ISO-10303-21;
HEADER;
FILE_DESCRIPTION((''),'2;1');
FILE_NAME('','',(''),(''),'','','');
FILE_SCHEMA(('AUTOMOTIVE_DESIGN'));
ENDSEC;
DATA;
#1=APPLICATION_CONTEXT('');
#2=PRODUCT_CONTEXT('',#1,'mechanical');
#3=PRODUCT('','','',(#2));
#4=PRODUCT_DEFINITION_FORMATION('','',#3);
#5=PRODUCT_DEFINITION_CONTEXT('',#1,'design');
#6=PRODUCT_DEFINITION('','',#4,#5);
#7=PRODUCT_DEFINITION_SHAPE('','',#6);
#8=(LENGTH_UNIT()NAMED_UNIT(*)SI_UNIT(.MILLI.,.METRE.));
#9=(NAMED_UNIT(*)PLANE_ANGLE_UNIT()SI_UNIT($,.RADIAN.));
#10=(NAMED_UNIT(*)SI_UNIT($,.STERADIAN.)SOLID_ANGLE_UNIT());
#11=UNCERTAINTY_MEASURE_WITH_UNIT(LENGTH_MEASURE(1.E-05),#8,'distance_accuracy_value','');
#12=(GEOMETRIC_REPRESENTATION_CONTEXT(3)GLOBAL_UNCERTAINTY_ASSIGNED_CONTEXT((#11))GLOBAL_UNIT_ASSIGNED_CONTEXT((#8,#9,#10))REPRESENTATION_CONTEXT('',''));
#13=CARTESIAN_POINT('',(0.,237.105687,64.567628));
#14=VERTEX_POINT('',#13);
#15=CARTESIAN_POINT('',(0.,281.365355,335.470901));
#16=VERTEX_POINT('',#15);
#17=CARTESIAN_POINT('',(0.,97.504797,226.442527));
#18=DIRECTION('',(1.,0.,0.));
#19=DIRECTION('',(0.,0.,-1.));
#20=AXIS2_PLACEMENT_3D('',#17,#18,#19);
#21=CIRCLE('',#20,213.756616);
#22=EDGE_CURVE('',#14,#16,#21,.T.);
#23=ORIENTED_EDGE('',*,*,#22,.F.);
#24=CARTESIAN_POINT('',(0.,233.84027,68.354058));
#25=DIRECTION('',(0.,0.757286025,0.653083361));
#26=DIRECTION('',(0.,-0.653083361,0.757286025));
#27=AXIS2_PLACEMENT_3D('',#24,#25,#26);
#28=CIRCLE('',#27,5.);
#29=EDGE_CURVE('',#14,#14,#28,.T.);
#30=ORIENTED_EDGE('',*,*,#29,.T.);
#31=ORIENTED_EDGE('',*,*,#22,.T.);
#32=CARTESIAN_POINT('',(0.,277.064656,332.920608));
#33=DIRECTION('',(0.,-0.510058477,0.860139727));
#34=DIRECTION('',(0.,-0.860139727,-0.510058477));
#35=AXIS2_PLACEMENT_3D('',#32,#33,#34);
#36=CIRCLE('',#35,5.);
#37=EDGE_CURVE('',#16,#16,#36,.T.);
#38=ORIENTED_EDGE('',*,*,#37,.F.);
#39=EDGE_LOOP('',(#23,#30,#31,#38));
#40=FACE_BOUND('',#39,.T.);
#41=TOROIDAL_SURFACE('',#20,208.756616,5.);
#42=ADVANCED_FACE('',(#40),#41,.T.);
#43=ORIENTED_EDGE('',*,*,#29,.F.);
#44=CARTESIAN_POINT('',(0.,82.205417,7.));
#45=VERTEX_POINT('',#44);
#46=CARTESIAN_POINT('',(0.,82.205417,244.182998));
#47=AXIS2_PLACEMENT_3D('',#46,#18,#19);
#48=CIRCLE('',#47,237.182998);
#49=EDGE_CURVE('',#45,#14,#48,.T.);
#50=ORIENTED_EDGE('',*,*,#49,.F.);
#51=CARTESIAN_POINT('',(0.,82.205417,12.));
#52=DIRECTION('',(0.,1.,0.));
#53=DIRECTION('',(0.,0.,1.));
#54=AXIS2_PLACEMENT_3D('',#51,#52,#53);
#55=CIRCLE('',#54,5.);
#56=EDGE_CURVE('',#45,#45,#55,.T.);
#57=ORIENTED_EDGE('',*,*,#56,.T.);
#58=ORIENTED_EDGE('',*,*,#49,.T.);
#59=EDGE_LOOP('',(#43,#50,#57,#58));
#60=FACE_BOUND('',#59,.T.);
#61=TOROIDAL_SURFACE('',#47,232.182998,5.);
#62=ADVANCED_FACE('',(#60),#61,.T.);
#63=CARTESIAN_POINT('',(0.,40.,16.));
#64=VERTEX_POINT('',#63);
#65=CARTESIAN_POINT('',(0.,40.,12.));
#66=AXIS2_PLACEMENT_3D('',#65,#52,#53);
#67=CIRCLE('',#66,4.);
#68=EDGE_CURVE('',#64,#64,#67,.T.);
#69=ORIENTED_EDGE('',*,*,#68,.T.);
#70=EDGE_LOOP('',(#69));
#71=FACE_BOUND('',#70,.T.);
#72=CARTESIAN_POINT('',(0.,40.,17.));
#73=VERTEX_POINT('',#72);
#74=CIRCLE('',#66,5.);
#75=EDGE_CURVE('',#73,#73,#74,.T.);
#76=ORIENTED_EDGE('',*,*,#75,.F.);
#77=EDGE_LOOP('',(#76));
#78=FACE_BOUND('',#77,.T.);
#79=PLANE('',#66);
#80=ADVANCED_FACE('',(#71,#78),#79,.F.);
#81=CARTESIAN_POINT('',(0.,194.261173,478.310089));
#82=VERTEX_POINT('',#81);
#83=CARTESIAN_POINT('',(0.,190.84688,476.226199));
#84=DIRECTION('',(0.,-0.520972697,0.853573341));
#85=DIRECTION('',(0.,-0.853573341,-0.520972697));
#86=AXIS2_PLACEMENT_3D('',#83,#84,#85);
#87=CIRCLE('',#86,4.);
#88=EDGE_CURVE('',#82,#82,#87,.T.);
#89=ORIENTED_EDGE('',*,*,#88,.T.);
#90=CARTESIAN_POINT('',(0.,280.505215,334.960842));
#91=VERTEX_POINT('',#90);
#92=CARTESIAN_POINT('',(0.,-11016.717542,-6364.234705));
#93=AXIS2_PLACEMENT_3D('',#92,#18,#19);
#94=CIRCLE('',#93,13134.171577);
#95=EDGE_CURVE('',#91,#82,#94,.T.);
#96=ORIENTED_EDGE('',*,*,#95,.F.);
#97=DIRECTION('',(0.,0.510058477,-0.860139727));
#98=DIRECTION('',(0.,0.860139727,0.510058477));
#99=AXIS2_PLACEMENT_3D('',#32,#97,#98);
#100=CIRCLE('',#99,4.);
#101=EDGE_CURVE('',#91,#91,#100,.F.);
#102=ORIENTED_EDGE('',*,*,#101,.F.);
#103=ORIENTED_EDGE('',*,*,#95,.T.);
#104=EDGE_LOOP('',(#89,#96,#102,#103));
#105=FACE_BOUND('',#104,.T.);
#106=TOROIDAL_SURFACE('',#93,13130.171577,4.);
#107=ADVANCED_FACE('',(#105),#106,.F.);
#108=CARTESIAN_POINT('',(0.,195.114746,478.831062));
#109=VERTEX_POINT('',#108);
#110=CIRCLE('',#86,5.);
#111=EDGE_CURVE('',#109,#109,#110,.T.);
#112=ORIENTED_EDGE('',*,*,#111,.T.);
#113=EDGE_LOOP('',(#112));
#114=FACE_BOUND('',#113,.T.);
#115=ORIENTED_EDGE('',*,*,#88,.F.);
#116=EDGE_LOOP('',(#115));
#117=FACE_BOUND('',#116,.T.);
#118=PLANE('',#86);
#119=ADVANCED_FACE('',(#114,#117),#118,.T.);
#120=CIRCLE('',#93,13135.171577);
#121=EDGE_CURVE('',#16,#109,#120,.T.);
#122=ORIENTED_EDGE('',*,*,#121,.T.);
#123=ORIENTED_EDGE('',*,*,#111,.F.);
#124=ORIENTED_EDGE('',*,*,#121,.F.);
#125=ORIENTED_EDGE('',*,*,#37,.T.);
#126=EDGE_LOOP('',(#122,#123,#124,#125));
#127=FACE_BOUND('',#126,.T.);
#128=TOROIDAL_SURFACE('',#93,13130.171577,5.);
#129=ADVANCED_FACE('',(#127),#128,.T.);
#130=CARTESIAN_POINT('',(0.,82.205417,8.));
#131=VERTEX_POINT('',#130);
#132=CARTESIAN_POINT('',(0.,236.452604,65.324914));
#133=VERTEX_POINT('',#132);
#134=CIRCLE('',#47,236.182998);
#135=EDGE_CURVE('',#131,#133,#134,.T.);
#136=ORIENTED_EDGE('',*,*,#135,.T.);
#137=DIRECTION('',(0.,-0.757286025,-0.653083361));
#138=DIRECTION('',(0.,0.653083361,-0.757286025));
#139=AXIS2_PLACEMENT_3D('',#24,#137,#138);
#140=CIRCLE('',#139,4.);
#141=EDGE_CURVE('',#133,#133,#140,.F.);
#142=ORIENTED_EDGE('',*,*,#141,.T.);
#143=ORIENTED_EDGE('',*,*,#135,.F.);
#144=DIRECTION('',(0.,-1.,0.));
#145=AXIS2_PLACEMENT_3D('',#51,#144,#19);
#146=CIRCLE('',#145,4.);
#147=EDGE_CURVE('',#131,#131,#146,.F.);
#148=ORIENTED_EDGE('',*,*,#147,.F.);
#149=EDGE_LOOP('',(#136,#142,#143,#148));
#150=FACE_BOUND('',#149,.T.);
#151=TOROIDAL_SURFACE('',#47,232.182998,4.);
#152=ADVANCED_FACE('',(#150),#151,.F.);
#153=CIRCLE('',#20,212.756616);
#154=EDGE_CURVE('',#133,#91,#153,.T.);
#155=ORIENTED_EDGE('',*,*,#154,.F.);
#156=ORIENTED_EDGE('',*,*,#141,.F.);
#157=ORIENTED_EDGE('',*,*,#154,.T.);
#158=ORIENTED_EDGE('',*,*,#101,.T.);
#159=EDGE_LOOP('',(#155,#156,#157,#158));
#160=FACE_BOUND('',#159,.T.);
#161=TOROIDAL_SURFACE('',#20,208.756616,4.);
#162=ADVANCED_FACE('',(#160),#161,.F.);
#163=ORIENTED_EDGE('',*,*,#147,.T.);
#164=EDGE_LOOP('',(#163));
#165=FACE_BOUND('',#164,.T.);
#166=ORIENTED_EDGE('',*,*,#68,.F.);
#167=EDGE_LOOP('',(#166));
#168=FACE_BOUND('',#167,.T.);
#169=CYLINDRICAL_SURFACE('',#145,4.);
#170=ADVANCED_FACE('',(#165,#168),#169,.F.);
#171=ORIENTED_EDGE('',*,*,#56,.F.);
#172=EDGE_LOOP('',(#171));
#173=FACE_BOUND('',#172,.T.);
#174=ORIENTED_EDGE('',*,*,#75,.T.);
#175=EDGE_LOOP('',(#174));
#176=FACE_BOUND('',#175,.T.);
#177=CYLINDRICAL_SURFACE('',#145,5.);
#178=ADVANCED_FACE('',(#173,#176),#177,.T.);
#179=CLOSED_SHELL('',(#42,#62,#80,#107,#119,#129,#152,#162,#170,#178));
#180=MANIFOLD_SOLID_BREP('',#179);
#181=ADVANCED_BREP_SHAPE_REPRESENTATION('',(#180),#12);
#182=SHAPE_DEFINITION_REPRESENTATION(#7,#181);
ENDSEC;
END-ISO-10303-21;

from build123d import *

# Parameters (mm, degrees)
CROQUIS7_R = 5
VACIADO2_T = -1


with BuildPart() as part:
    # Barrer1: sweep along a path in Croquis5
    with BuildLine(Plane(origin=(0, 0, 0), x_dir=(0, 0, -1), z_dir=(1, 0, 0))) as barrer1_path:
        Line((-12, 40), (-12, 82.205417262))
        ThreePointArc((-12, 82.205417262), (-26.544036789, 163.089452311), (-68.354058477, 233.840270104))
        ThreePointArc((-68.354058477, 233.840270104), (-192.782537214, 303.529868669), (-332.920608455, 277.064656453))
        ThreePointArc((-332.920608455, 277.064656453), (-404.710677086, 234.183935346), (-476.226198503, 190.846879685))
    # Croquis7 → Barrer1 (sweep)
    with BuildSketch(Plane(origin=(0, 40, 12), x_dir=(-1, 0, 0), z_dir=(0, 1, 0))):
        Circle(CROQUIS7_R)
    sweep(path=barrer1_path.line)

    # Vaciado2
    vaciado2_openings = [part.faces().sort_by_distance(p)[0] for p in [
        (0, 190.846879685, 476.226198503),
        (0, 40, 12),
    ]]
    offset(amount=VACIADO2_T, openings=vaciado2_openings, kind=Kind.INTERSECTION)


solid = part.part
